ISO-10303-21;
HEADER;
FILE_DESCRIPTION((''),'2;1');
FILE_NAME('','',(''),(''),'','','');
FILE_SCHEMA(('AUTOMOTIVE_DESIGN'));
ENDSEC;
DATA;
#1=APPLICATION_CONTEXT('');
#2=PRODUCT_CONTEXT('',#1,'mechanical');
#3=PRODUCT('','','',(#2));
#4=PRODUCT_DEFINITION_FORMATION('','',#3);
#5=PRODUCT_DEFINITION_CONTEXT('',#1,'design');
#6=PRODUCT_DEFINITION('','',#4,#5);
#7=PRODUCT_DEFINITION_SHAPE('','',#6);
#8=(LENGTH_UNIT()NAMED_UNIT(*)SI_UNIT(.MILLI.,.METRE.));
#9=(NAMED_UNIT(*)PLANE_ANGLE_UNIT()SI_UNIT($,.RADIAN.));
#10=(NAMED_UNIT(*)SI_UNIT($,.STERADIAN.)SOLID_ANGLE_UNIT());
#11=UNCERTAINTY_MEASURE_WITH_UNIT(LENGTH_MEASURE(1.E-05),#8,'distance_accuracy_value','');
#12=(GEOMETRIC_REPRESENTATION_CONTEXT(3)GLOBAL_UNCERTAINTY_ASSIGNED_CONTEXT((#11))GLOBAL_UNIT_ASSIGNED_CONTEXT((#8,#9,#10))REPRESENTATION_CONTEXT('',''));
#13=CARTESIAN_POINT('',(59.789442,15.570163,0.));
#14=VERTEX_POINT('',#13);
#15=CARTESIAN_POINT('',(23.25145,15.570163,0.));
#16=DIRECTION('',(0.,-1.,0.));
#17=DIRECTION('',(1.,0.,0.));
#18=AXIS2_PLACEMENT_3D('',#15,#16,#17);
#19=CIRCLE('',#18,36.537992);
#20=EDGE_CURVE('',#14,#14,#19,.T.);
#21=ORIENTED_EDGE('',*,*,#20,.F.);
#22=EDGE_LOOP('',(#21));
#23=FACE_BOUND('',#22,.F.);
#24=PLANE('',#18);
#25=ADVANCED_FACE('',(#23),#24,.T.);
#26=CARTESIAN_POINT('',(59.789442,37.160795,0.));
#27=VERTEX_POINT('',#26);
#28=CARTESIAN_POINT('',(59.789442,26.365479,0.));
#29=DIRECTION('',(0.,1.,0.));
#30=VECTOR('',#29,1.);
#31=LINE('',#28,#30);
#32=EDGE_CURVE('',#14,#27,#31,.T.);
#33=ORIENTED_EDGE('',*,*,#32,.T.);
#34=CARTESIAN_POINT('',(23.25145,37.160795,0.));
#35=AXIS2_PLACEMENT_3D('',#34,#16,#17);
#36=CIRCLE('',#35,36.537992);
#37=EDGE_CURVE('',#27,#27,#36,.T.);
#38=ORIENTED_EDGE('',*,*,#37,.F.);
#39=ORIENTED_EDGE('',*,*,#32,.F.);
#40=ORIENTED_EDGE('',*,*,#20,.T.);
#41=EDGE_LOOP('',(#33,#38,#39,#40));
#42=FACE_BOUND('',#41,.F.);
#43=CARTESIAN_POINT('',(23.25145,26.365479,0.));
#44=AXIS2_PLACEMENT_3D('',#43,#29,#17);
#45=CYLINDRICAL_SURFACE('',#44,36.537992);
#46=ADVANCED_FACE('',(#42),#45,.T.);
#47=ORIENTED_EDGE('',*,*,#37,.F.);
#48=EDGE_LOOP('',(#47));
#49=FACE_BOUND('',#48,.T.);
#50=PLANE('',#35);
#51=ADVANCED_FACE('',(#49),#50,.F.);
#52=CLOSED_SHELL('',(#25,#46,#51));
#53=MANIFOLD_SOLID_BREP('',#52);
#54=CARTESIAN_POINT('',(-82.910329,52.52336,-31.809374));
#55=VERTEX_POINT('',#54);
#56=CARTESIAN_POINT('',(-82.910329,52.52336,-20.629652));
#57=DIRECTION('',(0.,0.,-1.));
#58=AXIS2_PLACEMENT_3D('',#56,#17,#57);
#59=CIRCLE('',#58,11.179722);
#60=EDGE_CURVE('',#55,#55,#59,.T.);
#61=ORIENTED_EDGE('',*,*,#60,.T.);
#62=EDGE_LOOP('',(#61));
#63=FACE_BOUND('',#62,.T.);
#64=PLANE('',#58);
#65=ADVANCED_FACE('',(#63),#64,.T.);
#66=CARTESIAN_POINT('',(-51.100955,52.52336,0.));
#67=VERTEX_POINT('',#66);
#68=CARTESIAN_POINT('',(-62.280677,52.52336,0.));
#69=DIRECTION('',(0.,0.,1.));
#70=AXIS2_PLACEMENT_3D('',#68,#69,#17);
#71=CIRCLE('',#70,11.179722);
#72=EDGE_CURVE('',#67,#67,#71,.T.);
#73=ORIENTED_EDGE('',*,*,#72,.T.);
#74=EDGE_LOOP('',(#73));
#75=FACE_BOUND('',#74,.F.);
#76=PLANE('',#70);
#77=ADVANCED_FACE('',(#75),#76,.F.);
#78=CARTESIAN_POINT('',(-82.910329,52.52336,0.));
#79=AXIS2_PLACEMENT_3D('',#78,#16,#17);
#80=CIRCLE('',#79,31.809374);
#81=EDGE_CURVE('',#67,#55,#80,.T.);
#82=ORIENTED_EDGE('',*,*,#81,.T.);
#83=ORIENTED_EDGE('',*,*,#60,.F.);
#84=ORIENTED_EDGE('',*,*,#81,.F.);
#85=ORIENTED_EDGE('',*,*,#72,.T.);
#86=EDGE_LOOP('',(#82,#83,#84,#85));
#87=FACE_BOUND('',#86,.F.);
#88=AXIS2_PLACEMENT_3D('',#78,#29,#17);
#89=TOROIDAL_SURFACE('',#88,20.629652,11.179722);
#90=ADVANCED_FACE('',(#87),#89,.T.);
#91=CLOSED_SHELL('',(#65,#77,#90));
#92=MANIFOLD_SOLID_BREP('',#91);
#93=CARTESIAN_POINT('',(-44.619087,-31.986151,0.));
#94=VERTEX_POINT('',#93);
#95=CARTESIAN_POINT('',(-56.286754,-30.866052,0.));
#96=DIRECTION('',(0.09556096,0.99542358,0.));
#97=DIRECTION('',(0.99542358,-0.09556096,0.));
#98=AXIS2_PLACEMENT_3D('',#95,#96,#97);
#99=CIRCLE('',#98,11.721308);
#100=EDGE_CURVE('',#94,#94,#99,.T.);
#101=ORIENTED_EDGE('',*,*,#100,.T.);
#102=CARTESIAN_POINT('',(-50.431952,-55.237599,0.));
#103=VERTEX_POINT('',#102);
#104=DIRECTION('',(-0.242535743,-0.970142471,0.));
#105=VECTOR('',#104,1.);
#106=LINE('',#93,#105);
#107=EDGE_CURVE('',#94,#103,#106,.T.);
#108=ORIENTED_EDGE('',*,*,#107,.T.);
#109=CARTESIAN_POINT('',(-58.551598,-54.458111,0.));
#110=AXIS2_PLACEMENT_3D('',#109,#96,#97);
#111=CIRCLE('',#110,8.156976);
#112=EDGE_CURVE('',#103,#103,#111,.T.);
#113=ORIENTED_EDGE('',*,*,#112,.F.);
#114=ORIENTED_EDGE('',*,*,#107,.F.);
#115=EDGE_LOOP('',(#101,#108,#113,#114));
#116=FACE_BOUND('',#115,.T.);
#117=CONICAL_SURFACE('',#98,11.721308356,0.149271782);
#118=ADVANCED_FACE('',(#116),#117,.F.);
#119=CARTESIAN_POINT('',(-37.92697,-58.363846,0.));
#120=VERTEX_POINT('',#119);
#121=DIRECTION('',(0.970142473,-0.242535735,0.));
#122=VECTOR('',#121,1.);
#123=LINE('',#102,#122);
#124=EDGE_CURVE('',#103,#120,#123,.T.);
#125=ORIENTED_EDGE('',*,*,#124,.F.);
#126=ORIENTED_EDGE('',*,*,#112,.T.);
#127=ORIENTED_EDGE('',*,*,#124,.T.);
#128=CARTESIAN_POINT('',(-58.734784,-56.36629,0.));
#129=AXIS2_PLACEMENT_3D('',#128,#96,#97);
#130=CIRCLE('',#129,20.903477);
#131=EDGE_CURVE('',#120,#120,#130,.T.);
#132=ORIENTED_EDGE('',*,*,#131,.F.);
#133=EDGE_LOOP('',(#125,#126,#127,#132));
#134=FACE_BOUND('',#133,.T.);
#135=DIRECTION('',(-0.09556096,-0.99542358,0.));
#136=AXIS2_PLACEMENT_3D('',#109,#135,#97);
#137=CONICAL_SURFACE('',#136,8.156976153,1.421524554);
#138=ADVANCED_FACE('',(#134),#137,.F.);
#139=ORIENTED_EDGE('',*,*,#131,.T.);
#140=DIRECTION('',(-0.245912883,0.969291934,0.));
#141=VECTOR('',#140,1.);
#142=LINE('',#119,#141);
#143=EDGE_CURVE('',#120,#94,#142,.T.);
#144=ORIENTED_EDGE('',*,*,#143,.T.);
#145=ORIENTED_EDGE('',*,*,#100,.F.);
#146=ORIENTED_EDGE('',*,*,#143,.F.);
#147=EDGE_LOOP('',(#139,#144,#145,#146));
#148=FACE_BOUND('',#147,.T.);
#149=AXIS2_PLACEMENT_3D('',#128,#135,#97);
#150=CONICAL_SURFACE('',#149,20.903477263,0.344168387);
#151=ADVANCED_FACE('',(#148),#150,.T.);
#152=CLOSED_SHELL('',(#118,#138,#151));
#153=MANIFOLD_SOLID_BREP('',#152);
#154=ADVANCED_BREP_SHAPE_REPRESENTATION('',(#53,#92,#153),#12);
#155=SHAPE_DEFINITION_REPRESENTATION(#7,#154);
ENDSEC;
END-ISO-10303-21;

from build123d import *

# Parameters (mm, degrees)
F0_W     = 36.537992
F0_H     = 21.590633
F0_R     = 11.179722
F2_ANGLE = 270


with BuildPart() as f1:
    # F0 (on Top) → F1 (revolve)
    with BuildSketch(Plane.XY):
        with Locations((41.520446, 26.365479)):
            Rectangle(F0_W, F0_H)
    revolve(axis=Axis((23.25145, 26.365479, 0), (0, -1, 0)))


with BuildPart() as f2:
    # F0 (on Top) → F2 (revolve)
    with BuildSketch(Plane.XY):
        with Locations((-62.280677, 52.52336)):
            Circle(F0_R)
    revolve(axis=Axis((-82.910329, 50.982073, 0), (0, -1, 0)), revolution_arc=F2_ANGLE)


with BuildPart() as f3:
    # F0 (on Top) → F3 (revolve)
    with BuildSketch(Plane.XY):
        Polygon((-37.92697, -58.363846), (-44.619087, -31.986151), (-50.431952, -55.237599), align=None)
    revolve(axis=Axis((-57.490427, -43.404276, 0), (0.095561, 0.995424, 0)))


solid = Compound([f1.part, f2.part, f3.part])
